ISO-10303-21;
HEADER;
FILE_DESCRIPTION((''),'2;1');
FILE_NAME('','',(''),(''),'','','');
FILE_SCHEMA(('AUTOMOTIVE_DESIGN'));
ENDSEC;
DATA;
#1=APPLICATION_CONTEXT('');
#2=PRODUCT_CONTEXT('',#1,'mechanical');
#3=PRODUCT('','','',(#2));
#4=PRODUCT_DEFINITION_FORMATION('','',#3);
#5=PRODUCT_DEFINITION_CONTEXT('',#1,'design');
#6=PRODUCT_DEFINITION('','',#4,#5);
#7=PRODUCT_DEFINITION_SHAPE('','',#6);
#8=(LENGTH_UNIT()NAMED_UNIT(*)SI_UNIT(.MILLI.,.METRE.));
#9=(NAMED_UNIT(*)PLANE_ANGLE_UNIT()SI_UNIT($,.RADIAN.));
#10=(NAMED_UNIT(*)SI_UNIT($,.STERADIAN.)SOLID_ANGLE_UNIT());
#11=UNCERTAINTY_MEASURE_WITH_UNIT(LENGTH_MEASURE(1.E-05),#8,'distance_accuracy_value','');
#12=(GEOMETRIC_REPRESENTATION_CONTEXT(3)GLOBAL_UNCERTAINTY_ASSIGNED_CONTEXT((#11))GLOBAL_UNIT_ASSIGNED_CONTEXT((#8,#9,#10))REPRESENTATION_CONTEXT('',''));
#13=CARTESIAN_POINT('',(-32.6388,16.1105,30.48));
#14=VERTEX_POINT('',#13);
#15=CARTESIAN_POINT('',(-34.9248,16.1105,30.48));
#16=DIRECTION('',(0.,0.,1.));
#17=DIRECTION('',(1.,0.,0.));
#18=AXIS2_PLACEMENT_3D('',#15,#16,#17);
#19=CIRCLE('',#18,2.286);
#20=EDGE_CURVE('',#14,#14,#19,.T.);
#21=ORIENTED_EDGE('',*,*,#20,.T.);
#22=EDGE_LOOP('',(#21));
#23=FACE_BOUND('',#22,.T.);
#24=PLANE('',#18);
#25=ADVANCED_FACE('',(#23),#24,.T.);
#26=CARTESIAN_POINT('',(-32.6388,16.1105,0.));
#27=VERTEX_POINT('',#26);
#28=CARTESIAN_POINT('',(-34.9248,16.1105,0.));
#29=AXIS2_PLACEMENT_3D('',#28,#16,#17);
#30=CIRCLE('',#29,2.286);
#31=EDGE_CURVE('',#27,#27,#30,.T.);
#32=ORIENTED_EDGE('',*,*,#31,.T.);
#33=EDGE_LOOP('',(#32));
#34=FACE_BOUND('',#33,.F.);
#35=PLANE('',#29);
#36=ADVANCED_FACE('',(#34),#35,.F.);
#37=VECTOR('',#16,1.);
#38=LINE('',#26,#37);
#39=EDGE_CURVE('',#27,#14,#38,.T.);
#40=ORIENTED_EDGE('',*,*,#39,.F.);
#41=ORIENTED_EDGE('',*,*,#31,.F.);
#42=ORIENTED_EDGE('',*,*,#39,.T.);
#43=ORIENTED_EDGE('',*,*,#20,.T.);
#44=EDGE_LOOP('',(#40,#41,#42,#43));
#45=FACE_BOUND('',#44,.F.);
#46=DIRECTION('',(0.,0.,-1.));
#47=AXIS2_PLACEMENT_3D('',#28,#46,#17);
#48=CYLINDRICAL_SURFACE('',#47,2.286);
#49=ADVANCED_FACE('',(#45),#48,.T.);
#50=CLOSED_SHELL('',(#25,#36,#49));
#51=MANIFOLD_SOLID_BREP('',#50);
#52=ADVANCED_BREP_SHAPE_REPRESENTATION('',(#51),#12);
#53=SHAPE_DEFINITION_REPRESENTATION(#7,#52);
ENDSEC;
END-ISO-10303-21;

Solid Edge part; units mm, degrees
sketch "Sketch1" plane through (0, 0, 0) normal (0, 0, 1) x (1, 0, 0)
  circle A0 centre (-34.9248, 16.1105) radius 2.286
extrude "Protrusion1" add sketch "Sketch1" along normal blind 30.48
